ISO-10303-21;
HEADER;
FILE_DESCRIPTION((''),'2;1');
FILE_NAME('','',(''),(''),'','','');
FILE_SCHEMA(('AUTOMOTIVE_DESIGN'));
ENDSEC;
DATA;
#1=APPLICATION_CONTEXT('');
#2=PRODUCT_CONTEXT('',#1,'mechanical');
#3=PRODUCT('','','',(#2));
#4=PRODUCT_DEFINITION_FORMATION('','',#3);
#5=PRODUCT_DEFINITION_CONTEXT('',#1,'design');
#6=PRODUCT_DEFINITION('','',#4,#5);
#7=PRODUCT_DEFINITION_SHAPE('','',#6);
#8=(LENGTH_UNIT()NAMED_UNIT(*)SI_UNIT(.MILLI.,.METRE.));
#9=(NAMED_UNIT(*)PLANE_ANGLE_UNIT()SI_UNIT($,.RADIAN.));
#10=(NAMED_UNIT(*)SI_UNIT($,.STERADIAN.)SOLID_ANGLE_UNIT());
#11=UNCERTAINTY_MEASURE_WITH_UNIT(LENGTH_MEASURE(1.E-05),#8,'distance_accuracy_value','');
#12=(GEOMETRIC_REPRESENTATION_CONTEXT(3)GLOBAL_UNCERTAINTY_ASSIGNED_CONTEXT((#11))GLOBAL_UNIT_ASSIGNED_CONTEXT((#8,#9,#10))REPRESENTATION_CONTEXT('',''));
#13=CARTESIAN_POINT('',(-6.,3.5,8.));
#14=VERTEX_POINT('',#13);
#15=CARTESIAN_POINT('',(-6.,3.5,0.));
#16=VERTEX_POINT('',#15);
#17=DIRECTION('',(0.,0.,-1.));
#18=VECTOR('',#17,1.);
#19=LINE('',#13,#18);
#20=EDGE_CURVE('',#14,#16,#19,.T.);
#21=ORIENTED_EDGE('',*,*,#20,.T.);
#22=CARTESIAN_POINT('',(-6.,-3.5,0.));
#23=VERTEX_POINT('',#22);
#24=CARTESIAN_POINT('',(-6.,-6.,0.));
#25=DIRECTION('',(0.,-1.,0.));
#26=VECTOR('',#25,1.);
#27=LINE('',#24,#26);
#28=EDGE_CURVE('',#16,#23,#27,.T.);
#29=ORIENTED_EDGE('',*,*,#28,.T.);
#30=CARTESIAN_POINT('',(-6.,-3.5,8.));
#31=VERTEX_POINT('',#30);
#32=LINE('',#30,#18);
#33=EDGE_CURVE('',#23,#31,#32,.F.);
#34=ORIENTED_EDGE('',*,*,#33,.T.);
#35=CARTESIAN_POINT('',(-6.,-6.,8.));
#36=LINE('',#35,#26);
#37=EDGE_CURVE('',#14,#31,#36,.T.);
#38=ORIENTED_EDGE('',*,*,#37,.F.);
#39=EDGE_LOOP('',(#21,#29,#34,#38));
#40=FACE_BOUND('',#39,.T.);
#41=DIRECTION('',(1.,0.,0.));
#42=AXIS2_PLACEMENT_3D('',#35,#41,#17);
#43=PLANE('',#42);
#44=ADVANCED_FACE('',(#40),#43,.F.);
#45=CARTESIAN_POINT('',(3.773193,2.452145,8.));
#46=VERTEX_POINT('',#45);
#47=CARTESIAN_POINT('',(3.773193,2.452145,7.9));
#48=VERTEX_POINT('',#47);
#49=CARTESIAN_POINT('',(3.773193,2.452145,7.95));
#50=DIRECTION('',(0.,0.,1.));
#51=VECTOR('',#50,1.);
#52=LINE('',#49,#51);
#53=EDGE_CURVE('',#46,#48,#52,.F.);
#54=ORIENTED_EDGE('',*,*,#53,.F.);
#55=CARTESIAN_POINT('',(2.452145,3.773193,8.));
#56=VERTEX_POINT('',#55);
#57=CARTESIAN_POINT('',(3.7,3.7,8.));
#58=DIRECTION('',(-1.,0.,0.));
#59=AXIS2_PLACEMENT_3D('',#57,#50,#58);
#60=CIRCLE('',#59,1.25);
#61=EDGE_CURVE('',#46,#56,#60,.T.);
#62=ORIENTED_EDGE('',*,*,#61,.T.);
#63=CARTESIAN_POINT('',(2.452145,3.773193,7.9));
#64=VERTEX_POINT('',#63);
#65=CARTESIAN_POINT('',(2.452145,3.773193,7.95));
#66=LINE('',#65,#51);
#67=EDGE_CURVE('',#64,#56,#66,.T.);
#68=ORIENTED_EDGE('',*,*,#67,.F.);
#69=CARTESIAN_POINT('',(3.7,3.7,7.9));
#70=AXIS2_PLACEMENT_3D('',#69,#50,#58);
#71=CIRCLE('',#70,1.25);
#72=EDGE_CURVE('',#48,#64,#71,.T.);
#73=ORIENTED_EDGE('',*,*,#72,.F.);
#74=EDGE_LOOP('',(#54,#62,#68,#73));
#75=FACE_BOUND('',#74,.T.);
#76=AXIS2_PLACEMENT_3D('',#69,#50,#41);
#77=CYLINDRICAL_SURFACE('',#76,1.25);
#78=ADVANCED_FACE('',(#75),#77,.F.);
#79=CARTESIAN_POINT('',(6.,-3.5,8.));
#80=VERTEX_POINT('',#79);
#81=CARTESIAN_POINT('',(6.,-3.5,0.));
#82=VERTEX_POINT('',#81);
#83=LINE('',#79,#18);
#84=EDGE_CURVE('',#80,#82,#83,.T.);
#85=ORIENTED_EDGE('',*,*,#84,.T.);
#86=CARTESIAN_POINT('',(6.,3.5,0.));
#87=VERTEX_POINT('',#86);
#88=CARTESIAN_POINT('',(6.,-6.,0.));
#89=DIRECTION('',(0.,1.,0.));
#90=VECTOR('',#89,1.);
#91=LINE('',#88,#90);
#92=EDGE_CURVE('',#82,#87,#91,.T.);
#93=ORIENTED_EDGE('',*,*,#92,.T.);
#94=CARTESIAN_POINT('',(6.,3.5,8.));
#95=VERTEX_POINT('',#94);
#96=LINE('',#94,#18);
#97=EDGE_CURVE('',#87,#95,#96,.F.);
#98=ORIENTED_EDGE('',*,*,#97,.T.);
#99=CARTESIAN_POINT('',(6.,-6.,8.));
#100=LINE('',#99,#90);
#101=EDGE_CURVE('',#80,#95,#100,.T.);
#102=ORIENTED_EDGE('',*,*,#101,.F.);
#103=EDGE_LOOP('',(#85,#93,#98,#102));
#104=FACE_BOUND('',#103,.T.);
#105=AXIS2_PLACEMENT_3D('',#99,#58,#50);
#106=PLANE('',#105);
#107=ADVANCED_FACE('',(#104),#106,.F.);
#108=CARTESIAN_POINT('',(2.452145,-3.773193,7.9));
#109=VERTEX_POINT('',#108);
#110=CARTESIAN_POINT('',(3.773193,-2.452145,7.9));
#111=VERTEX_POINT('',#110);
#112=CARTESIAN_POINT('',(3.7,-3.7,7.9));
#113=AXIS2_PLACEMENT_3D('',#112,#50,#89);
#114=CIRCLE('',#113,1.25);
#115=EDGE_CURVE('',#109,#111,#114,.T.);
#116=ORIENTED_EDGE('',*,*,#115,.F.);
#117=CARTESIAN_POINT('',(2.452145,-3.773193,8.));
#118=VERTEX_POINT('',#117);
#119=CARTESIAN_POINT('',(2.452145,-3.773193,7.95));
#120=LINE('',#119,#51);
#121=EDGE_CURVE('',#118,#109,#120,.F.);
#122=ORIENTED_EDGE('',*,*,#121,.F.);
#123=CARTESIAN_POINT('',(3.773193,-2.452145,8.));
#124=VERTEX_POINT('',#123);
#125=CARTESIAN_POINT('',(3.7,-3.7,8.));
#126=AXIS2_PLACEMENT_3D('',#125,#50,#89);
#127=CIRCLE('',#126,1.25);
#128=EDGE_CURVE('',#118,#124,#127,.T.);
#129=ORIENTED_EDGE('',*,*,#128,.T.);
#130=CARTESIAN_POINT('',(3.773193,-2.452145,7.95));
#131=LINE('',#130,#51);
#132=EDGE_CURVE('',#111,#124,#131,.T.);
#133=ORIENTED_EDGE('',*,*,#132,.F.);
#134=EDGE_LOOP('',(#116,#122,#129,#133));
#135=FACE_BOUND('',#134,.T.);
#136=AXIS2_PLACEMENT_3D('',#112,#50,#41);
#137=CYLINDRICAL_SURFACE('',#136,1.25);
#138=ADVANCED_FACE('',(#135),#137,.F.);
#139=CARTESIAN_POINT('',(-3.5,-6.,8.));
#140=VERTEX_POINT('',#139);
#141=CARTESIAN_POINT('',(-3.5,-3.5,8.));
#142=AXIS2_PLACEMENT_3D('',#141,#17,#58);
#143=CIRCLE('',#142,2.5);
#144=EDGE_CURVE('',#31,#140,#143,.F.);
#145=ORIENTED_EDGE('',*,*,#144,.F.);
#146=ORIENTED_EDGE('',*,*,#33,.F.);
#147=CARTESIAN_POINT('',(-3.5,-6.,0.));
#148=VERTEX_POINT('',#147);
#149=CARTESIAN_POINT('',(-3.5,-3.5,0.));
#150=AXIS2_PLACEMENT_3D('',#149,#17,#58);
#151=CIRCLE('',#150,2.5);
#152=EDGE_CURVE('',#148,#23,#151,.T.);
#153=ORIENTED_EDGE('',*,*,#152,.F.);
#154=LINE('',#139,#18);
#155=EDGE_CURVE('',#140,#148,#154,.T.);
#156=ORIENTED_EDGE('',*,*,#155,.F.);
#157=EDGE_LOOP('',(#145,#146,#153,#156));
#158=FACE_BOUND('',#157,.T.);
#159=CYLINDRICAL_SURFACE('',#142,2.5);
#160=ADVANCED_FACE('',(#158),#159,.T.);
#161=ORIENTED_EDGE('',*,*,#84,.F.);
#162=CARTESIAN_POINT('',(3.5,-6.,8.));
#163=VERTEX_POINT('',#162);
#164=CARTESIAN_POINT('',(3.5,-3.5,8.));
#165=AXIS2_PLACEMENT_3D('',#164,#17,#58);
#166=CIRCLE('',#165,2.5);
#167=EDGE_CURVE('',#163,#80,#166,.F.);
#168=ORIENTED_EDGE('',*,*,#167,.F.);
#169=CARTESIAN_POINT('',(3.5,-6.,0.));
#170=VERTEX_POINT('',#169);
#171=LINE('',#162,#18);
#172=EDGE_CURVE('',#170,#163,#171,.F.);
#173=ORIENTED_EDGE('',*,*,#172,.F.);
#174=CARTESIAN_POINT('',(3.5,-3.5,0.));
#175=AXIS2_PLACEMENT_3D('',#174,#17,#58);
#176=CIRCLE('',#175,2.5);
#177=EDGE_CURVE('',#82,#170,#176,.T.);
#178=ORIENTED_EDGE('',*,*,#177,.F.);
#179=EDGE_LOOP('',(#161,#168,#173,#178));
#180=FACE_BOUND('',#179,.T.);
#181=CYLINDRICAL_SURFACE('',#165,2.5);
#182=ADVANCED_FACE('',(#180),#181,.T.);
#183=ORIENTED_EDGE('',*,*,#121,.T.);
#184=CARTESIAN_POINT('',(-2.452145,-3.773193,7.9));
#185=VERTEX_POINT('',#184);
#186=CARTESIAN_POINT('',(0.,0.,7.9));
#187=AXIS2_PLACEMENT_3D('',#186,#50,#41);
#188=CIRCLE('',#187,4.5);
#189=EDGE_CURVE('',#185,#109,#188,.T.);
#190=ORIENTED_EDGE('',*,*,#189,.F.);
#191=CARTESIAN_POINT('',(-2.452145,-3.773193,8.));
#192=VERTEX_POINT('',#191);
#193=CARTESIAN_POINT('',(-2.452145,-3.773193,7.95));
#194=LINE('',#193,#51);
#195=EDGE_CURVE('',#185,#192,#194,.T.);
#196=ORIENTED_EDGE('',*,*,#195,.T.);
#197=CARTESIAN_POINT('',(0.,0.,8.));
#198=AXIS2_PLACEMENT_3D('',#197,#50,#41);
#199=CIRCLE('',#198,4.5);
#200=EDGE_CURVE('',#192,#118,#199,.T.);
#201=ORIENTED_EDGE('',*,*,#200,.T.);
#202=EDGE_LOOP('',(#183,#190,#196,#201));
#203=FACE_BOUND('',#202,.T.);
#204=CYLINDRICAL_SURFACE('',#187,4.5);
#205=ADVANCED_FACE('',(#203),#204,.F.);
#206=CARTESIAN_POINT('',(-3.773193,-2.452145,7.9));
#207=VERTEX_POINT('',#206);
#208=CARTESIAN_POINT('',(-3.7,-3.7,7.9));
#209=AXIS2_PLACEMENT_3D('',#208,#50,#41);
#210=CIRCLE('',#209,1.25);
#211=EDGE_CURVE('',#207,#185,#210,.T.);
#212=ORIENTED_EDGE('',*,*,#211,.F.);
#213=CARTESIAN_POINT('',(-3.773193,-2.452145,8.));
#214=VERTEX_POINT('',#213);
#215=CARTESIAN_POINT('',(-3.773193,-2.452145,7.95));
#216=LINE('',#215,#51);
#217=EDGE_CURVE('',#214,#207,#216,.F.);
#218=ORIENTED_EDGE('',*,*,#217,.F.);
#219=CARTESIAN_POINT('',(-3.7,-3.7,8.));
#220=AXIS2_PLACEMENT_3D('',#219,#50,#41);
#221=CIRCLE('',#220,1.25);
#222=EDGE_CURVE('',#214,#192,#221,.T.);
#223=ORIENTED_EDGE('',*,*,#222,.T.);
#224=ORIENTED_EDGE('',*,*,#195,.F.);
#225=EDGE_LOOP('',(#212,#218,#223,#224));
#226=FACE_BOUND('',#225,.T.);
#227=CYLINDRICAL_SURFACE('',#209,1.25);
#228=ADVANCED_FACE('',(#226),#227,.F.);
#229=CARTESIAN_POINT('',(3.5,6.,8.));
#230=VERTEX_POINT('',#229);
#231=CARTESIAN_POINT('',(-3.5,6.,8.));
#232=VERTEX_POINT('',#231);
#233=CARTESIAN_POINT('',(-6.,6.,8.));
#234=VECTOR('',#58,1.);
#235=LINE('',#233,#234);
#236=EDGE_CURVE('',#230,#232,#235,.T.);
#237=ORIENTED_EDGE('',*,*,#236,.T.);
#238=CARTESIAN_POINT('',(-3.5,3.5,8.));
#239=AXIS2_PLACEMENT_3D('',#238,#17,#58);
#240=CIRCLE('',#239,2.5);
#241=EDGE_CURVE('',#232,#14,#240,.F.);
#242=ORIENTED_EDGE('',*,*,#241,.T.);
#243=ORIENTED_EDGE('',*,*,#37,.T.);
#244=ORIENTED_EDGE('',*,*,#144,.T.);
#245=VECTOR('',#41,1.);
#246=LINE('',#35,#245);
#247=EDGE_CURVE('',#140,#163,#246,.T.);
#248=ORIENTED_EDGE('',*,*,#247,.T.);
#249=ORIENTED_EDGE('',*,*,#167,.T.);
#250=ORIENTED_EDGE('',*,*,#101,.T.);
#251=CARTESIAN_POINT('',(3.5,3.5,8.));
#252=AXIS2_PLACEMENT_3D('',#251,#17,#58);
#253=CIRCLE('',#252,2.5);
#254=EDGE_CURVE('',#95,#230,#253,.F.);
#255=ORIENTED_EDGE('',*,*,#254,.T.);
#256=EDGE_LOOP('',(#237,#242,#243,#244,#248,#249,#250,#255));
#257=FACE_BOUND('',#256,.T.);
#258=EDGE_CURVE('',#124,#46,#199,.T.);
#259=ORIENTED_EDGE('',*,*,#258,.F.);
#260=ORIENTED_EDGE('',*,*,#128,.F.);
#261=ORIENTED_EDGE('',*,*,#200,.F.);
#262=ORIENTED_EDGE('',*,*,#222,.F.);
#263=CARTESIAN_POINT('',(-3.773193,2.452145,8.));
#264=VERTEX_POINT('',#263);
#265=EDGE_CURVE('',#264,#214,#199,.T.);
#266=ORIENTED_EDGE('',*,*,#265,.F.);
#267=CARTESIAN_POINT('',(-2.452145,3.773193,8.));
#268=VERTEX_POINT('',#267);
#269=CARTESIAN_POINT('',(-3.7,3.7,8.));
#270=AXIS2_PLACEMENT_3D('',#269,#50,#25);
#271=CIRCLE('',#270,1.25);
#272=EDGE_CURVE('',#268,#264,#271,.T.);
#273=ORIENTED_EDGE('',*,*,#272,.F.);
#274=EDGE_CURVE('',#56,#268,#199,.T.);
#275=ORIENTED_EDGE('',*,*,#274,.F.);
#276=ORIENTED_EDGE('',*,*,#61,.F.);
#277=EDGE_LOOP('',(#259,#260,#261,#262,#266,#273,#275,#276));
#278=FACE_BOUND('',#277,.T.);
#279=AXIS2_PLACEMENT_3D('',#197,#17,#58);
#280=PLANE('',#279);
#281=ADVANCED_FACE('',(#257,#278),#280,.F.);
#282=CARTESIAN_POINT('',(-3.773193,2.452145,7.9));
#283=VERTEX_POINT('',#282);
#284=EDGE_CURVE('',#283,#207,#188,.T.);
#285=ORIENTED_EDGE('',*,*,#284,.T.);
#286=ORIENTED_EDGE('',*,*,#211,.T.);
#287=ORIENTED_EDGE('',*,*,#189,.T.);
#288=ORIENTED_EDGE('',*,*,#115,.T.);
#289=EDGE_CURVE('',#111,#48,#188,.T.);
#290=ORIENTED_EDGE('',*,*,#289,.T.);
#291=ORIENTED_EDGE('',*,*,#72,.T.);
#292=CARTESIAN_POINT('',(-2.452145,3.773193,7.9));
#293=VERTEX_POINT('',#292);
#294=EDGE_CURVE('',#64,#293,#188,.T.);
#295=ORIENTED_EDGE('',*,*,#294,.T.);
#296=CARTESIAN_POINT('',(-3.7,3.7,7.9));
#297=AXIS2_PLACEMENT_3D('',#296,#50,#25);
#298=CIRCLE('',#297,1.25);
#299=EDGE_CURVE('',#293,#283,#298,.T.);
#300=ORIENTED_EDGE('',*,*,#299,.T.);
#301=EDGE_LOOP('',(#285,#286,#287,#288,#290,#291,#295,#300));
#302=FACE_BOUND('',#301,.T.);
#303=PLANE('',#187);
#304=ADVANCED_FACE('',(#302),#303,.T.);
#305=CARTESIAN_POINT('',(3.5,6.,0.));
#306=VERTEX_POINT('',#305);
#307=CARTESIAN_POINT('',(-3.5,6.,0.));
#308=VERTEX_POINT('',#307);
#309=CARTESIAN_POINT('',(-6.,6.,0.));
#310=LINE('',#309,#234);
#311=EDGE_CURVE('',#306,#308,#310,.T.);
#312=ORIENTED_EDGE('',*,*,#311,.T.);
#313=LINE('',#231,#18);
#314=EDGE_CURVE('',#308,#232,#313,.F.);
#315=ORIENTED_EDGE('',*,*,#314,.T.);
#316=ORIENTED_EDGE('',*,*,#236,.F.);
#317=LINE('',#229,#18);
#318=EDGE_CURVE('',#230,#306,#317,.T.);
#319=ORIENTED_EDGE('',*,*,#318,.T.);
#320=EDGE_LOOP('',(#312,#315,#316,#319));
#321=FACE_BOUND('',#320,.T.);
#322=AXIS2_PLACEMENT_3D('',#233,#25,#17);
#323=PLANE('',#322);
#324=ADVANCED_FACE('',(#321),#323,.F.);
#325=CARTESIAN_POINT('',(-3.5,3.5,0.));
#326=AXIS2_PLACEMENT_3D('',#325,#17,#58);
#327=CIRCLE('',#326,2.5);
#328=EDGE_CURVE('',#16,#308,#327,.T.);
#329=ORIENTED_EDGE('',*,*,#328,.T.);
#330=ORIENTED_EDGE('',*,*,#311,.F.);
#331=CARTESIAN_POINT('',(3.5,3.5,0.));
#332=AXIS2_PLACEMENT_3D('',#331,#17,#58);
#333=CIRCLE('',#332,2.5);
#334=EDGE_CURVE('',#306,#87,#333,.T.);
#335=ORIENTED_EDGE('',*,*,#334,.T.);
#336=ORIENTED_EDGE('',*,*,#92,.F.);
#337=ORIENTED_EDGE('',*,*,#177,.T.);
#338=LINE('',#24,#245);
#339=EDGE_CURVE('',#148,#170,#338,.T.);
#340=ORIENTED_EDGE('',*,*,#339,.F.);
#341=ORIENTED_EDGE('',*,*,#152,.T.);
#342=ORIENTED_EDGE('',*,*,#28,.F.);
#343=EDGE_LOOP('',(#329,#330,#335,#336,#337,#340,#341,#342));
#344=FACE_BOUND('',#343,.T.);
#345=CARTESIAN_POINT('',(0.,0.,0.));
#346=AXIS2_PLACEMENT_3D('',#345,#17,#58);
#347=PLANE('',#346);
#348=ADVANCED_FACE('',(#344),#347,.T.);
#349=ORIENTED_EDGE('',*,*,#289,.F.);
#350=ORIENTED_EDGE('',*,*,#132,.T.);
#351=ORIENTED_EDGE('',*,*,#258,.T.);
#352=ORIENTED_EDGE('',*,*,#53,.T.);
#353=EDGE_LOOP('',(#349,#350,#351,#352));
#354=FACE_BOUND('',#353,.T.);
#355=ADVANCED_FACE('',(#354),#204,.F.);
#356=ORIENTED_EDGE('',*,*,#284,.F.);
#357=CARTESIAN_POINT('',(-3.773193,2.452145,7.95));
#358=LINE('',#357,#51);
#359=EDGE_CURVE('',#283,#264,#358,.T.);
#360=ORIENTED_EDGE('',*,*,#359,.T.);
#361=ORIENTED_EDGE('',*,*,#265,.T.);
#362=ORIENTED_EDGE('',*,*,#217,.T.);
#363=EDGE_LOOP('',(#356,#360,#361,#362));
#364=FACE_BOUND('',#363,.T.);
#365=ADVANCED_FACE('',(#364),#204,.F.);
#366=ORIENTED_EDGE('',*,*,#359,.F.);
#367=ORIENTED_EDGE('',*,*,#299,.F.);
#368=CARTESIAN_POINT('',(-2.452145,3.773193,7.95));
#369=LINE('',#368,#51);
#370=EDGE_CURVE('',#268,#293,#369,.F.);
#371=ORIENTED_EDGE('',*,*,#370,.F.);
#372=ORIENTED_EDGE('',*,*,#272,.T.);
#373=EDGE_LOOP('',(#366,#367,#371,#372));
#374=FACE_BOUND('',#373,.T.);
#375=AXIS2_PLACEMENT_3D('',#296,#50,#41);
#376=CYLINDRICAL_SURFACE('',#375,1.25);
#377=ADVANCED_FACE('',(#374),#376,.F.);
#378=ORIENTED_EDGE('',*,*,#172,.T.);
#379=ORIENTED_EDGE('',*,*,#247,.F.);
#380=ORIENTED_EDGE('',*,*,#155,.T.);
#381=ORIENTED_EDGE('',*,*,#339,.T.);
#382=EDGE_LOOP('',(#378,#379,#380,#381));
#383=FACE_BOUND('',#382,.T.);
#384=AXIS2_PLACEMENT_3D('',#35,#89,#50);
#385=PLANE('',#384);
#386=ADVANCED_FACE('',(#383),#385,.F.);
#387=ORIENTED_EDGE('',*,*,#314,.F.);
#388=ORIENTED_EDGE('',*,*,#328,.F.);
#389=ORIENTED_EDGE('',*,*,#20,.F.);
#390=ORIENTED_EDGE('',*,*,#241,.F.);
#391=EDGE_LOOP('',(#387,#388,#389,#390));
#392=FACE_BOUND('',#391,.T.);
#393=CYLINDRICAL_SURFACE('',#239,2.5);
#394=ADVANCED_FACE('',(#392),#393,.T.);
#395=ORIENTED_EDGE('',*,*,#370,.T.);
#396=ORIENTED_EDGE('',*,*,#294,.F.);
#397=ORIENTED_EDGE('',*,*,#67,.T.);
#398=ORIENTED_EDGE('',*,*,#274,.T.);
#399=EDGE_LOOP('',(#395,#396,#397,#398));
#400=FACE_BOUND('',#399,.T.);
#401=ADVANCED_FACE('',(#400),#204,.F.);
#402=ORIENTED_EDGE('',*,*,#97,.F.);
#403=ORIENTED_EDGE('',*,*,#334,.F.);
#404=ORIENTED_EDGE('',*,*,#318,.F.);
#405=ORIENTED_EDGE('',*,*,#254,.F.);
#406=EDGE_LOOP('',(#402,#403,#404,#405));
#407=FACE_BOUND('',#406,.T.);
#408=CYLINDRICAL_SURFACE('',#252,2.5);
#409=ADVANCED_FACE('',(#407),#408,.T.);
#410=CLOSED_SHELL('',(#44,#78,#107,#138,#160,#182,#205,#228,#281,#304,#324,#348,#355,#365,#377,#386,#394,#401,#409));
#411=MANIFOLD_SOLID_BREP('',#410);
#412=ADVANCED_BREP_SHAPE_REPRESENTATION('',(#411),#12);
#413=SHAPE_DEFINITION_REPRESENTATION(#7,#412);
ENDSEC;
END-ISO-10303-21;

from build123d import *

# Parameters (mm, degrees)
SKETCH_1_W               = 12
SKETCH_1_H               = 12
EXTRUDE_1_DEPTH          = 8
FILLET_1_R               = 2.5
SKETCH_2_R               = 4.5
CUT_EXTRUDE_1_DEPTH      = 0.1
SKETCH_3_R               = 1.25
CUT_EXTRUDE_2_DEPTH      = 0.1
PATTERN_CIRCULAR_1_COUNT = 4


with BuildPart() as part:
    # Эскиз1 → Бобышка-Вытянуть1 (new body)
    with BuildSketch(Plane.XY):
        Rectangle(SKETCH_1_W, SKETCH_1_H)
    extrude(amount=EXTRUDE_1_DEPTH)

    # Скругление1
    fillet_1_edges = [part.edges().sort_by_distance(p)[0] for p in [
        (-6, 6, 4),
        (6, 6, 4),
        (-6, -6, 4),
        (6, -6, 4),
    ]]
    fillet(fillet_1_edges, radius=FILLET_1_R)

    # Эскиз2 → Вырез-Вытянуть1 (cut)
    with BuildSketch(Plane.XY.offset(8)):
        Circle(SKETCH_2_R)
    extrude(amount=-CUT_EXTRUDE_1_DEPTH, mode=Mode.SUBTRACT)

    # Эскиз3 → Вырез-Вытянуть2 (cut)
    with BuildSketch(Plane.XY.offset(8)):
        with Locations((-3.7, -3.7)):
            Circle(SKETCH_3_R)
    cut_extrude_2 = extrude(amount=-CUT_EXTRUDE_2_DEPTH, mode=Mode.SUBTRACT)

    # Круговой массив1: Вырез-Вытянуть2 ×4 about axis
    pattern_circular_1_axis = Axis((0, 0, -0.4), (0, 0, 1))
    for i in range(1, PATTERN_CIRCULAR_1_COUNT):
        add(cut_extrude_2.rotate(pattern_circular_1_axis, i * 360 / PATTERN_CIRCULAR_1_COUNT), mode=Mode.SUBTRACT)


solid = part.part
